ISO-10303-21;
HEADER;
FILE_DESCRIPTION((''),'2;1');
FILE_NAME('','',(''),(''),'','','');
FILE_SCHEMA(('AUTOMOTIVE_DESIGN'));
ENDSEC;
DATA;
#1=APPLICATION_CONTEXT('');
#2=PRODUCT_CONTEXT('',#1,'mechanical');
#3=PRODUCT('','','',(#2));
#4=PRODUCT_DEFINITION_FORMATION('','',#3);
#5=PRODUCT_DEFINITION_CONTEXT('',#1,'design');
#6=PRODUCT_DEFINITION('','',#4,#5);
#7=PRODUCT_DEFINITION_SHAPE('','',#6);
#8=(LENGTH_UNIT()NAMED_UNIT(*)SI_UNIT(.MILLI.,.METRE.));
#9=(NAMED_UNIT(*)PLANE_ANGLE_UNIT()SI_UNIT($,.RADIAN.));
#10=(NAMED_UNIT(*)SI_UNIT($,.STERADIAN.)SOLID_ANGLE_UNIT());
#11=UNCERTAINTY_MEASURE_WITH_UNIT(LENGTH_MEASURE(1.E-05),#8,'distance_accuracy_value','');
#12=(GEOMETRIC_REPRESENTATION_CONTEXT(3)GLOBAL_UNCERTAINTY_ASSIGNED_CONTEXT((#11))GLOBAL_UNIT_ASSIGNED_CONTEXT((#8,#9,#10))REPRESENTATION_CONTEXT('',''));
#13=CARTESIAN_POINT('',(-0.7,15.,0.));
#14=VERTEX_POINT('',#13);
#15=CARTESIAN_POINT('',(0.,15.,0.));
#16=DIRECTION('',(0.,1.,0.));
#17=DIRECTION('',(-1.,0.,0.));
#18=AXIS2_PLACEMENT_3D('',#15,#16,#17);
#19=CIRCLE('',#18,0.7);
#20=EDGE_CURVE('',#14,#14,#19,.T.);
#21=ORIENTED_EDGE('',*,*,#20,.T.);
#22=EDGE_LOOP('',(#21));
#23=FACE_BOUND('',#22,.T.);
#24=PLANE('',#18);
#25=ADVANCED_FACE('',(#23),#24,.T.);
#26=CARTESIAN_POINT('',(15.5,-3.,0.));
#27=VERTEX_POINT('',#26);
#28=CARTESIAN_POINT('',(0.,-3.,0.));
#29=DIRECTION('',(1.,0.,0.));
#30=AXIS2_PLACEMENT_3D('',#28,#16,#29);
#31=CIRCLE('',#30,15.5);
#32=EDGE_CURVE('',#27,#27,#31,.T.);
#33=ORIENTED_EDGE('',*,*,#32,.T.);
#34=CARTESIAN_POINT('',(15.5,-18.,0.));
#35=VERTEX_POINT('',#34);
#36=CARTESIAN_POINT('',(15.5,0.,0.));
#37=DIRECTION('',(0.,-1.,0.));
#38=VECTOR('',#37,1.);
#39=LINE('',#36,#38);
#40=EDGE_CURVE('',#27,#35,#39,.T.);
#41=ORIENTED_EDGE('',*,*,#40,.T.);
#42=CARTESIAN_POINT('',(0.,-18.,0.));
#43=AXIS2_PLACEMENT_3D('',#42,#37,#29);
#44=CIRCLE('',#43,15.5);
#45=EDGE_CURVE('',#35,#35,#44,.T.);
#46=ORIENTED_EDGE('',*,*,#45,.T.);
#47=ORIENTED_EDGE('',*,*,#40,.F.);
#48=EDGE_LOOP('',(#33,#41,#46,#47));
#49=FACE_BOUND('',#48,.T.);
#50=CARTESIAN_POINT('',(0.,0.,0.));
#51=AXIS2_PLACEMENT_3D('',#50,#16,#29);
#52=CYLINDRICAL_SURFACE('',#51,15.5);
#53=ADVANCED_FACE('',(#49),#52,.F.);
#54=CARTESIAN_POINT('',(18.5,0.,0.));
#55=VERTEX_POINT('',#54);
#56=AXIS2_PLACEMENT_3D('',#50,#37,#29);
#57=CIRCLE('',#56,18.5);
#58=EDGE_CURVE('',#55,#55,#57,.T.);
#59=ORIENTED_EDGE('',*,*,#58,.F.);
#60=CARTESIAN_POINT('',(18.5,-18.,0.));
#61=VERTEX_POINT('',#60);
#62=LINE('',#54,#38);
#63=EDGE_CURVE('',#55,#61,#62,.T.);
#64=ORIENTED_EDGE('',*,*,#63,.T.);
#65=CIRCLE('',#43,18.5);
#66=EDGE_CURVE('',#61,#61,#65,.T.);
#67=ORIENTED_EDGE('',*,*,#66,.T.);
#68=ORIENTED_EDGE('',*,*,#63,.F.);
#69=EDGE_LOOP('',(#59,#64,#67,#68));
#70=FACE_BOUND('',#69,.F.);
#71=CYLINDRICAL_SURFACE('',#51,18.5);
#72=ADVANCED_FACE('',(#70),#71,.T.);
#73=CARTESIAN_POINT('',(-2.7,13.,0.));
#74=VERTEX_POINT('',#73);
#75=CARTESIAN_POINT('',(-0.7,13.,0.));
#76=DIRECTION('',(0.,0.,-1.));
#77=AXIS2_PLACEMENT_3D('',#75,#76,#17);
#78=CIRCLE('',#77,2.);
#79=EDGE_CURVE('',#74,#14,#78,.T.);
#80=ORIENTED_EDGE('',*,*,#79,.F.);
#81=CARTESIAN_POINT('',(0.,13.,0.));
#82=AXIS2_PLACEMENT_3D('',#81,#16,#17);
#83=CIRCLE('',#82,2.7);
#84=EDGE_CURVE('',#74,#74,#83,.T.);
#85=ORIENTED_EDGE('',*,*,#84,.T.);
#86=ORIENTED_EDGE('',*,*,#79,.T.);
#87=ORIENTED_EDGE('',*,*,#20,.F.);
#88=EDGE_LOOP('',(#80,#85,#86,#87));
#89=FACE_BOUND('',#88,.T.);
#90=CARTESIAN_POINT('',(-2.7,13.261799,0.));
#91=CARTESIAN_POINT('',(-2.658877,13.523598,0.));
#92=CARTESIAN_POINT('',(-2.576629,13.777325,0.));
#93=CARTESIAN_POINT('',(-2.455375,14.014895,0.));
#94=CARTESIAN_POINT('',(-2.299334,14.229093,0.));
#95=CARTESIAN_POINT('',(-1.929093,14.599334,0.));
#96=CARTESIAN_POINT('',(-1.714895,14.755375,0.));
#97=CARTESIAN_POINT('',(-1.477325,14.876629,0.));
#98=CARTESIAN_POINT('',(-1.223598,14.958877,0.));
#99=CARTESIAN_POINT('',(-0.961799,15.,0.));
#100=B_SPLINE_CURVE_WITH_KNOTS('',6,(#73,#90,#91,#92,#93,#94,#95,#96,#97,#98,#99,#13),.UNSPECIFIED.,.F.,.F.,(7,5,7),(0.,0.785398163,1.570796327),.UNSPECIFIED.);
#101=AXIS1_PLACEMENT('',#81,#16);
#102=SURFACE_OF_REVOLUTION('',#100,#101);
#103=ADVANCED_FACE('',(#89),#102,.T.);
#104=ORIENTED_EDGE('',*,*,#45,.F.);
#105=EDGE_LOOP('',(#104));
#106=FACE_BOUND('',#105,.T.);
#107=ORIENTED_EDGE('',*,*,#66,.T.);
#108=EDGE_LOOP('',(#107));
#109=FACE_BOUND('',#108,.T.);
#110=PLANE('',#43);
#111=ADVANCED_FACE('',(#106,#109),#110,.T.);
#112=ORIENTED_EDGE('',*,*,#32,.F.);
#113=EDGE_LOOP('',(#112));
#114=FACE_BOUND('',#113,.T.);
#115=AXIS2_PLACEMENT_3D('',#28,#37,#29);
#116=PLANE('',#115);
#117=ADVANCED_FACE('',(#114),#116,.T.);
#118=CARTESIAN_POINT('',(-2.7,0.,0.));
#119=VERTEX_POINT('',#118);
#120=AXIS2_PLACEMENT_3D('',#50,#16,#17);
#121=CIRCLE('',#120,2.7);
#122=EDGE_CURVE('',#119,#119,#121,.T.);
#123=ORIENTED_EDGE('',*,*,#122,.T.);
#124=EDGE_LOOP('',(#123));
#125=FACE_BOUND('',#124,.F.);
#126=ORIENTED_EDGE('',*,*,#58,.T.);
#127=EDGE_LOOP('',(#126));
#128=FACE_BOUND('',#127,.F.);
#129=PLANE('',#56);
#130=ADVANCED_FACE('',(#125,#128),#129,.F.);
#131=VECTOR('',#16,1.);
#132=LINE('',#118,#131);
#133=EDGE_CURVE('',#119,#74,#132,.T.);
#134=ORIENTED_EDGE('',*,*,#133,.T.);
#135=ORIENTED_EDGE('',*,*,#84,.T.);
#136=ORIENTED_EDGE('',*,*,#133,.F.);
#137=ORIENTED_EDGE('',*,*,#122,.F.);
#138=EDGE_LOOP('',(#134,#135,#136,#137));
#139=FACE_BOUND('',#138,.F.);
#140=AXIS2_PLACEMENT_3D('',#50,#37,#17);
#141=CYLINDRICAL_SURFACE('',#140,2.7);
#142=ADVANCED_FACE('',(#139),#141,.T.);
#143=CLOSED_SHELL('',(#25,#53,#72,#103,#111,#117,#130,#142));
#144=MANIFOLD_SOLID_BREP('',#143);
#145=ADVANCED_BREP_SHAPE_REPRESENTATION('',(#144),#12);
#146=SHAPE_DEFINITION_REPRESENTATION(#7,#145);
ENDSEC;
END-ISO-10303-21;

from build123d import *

# Parameters (mm, degrees)
F0_R     = 18.5
F1_DEPTH = 18
F2_T     = -3
F3_R     = 2.7
F4_DEPTH = 15
F5_R     = 2


with BuildPart() as f1:
    # F0 (on Front) → F1 (new body)
    with BuildSketch(Plane.XZ):
        Circle(F0_R)
    extrude(amount=F1_DEPTH)

    # F2
    f2_openings = [f1.faces().sort_by_distance(p)[0] for p in [
        (0, -18, 0),
    ]]
    offset(amount=F2_T, openings=f2_openings)

    # F3 (on face) → F4 (join)
    with BuildSketch(Plane(origin=(0, 0, 0), x_dir=(-1, 0, 0), z_dir=(0, 1, 0))):
        Circle(F3_R)
    extrude(amount=F4_DEPTH)

    # F5
    f5_edges = [f1.edges().sort_by_distance(p)[0] for p in [
        (2.7, 15, 0),
    ]]
    fillet(f5_edges, radius=F5_R)


solid = f1.part
